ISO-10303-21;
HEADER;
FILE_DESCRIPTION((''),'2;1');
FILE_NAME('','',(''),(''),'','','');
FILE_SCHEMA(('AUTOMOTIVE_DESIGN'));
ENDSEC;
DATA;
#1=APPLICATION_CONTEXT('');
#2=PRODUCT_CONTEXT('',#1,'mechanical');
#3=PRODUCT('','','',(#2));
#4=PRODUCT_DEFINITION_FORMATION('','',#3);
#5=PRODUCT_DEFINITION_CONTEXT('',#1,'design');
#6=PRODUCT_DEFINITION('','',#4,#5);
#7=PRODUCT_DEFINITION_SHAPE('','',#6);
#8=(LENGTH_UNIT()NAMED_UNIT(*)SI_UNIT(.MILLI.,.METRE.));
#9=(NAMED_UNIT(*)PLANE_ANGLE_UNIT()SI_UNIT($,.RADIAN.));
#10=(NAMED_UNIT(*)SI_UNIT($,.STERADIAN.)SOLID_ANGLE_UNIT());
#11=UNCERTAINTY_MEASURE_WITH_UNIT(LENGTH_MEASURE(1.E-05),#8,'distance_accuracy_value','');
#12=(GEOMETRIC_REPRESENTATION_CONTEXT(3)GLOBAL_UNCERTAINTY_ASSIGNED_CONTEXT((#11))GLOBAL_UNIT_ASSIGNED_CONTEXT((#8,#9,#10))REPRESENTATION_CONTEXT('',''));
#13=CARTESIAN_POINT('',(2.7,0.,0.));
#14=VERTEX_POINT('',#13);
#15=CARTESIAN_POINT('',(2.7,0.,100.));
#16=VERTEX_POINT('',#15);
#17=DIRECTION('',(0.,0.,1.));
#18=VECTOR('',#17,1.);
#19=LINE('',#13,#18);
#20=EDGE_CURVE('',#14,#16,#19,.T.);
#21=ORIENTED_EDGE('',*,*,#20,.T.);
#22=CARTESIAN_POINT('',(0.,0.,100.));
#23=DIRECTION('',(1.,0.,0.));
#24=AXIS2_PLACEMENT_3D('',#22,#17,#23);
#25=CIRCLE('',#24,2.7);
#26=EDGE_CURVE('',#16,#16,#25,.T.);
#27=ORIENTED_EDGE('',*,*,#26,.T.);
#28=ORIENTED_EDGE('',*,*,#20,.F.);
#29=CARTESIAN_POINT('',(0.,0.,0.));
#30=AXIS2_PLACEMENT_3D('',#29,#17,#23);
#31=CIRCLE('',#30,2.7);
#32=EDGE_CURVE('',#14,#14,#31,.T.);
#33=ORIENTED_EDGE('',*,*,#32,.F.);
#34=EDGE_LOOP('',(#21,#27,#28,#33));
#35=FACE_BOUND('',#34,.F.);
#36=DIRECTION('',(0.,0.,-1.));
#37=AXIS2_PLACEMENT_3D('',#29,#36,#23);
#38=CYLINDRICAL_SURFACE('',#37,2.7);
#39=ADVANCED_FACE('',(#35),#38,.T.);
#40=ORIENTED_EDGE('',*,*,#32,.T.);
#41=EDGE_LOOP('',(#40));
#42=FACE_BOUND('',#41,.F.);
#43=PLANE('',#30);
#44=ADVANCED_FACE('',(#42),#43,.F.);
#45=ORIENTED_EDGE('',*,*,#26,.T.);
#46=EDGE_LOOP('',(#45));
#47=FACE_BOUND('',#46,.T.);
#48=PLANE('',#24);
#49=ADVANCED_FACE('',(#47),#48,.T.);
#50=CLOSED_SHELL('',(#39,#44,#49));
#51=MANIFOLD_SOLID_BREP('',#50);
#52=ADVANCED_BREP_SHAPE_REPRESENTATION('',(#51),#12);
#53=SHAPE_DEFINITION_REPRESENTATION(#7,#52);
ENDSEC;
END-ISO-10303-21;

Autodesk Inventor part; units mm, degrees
ref_plane "YZ Plane" through (0, 0, 0) normal (1, 0, 0) x (0, 1, 0)
ref_plane "XZ Plane" through (0, 0, 0) normal (0, 1, 0) x (-1, 0, 0)
ref_plane "XY Plane" through (0, 0, 0) normal (0, 0, 1) x (1, 0, 0)
sketch "Sketch1" plane through (0, 0, 0) normal (0, 0, 1) x (1, 0, 0)
  circle A0 centre (0, 0) radius 2.7
  dimension "d0" = 5.4
extrude "Extrusion1" add sketch "Sketch1" along normal blind 100
properties part number "carbon_fiber"
